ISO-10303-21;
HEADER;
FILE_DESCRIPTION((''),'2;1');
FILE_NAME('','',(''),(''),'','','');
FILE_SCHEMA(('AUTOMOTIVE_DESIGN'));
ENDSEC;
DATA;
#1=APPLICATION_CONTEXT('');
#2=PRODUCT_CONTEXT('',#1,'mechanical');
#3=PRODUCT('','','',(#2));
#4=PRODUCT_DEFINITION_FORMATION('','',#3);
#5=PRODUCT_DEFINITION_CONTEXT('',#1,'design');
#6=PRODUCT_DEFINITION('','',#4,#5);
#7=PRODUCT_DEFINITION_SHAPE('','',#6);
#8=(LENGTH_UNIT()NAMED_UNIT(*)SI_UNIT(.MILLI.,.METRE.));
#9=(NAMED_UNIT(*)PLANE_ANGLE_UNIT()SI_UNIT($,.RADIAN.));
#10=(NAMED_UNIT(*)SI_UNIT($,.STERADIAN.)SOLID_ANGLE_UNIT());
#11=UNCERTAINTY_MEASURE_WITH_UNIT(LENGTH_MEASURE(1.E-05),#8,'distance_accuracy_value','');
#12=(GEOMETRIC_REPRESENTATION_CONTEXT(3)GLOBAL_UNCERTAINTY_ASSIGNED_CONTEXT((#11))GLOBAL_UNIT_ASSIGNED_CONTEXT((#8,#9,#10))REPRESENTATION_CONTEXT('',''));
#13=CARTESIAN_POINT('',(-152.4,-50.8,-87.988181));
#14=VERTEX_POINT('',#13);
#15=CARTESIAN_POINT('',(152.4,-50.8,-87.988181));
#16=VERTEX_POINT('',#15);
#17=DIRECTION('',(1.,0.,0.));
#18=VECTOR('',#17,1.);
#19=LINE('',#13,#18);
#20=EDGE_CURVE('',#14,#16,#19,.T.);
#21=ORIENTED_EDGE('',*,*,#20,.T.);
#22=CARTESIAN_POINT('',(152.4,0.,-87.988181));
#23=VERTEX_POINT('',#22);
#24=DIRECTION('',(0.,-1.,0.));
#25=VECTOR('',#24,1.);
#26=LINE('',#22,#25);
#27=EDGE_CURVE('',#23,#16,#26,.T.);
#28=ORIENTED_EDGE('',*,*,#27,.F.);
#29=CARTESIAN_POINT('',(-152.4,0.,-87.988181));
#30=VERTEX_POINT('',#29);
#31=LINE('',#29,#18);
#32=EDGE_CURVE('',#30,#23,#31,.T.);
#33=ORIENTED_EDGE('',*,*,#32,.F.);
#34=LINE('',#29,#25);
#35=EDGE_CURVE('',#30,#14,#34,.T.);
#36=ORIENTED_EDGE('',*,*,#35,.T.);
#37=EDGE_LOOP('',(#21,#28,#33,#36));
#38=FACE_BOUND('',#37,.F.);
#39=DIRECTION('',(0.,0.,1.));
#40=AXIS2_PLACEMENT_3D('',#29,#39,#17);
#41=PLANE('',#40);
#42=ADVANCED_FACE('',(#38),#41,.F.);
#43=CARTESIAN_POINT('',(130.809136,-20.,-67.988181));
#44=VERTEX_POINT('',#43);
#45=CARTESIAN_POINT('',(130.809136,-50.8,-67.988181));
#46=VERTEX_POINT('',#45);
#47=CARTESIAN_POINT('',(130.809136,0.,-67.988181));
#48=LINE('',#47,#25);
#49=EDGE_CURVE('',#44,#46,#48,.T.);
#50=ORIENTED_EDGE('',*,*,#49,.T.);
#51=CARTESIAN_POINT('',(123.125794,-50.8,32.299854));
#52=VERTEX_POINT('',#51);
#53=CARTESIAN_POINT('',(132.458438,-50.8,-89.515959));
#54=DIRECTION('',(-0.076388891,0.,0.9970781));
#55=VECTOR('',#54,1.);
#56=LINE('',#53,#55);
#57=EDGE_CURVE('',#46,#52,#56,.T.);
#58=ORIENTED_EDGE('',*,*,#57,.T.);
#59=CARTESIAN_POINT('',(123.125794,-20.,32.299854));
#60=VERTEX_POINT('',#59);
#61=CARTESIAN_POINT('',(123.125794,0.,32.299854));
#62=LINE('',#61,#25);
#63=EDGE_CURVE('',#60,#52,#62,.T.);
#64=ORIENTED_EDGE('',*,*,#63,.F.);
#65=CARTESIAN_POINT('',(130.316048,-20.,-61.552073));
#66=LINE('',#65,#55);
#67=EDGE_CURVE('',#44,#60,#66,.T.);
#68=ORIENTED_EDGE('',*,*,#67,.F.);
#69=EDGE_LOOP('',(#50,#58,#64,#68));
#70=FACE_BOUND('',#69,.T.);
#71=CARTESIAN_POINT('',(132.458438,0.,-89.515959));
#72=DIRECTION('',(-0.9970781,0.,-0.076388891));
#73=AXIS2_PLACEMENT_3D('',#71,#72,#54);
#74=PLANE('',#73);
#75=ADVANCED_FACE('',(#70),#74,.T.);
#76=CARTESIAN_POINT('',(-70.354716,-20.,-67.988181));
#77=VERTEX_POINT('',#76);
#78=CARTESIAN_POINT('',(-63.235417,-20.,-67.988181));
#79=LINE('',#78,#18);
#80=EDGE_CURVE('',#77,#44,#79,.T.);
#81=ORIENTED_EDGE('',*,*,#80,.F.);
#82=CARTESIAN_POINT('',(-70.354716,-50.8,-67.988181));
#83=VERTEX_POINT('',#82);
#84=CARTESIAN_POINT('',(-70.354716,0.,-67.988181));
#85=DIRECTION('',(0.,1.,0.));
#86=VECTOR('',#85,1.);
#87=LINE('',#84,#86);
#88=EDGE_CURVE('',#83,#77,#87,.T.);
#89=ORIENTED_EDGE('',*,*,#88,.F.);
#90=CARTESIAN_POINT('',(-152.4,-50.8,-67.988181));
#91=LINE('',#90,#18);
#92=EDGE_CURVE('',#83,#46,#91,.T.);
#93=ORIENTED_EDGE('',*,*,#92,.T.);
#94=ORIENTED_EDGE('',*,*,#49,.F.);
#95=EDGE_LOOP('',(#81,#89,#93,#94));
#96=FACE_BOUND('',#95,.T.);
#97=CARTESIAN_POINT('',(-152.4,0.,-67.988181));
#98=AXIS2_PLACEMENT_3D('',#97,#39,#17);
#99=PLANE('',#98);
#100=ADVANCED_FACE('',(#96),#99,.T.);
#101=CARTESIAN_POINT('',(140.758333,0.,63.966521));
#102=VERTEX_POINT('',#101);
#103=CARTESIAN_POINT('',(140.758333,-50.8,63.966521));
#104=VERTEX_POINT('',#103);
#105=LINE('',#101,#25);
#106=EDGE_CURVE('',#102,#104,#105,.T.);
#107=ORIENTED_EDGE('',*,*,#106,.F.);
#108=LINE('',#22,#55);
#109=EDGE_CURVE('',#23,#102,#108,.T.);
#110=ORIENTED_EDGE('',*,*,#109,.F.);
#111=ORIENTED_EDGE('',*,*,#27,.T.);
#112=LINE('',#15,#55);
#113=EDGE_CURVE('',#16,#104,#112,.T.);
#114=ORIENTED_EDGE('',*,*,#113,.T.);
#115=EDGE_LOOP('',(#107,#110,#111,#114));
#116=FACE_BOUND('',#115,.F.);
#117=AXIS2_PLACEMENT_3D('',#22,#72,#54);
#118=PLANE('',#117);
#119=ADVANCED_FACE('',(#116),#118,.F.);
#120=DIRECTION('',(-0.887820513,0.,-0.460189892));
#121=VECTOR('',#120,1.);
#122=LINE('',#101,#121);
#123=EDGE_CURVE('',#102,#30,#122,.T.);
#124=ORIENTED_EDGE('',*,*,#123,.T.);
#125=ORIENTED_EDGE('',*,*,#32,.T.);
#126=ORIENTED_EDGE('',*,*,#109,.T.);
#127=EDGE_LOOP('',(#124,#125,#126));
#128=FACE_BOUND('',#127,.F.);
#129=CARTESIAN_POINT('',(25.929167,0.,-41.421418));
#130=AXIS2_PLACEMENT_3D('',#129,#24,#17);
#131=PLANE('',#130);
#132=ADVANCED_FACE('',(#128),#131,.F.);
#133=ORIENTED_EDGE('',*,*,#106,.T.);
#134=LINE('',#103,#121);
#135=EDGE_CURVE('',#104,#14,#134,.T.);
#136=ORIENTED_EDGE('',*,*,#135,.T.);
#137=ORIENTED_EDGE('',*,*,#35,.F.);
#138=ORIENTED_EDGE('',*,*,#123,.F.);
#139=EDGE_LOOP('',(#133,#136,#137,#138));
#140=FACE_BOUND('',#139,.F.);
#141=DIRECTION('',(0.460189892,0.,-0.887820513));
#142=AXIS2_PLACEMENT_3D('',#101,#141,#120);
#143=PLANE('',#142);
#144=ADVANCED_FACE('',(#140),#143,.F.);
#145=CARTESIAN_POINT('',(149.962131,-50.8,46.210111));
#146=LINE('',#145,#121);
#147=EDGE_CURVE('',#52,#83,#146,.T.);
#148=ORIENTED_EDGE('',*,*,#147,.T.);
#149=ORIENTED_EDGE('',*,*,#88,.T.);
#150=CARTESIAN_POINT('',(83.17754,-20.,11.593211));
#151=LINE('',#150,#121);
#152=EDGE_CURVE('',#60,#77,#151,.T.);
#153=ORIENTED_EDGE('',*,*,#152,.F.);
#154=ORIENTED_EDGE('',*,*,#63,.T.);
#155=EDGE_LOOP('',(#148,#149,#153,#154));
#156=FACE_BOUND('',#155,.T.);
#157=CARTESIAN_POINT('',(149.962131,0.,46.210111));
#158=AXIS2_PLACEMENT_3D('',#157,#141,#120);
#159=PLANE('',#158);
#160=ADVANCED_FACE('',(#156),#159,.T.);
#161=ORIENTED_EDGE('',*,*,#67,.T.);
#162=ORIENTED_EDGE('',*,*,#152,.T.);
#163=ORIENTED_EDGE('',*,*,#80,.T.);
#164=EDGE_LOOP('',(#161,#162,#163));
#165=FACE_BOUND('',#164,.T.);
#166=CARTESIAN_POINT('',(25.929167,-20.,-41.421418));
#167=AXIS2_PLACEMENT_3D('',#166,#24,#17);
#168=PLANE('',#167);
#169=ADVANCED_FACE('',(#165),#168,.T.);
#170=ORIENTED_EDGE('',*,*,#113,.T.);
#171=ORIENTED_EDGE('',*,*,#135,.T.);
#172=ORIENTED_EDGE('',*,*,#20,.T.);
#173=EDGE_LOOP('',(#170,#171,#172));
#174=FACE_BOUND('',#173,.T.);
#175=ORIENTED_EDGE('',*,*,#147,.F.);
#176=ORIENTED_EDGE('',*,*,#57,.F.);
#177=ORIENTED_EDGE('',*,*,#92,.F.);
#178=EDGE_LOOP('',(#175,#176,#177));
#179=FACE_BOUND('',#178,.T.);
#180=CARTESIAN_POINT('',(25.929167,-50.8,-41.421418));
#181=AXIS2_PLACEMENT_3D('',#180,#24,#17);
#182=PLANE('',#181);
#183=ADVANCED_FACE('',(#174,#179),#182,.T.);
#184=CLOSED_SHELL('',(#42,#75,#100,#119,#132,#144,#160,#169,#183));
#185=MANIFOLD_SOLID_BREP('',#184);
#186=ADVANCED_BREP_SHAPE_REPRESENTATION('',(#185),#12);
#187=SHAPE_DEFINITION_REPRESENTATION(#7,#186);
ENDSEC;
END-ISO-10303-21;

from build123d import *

# Parameters (mm, degrees)
F1_DEPTH = 50.8
F2_T     = -20


with BuildPart() as f1:
    # F0 (on Front) → F1 (new body)
    with BuildSketch(Plane.XZ):
        Polygon((-152.4, -87.988181), (152.4, -87.988181), (140.758333, 63.966521), align=None)
    extrude(amount=F1_DEPTH)

    # F2
    f2_openings = [f1.faces().sort_by_distance(p)[0] for p in [
        (46.919444, -50.8, -37.336614),
    ]]
    offset(amount=F2_T, openings=f2_openings)


solid = f1.part
